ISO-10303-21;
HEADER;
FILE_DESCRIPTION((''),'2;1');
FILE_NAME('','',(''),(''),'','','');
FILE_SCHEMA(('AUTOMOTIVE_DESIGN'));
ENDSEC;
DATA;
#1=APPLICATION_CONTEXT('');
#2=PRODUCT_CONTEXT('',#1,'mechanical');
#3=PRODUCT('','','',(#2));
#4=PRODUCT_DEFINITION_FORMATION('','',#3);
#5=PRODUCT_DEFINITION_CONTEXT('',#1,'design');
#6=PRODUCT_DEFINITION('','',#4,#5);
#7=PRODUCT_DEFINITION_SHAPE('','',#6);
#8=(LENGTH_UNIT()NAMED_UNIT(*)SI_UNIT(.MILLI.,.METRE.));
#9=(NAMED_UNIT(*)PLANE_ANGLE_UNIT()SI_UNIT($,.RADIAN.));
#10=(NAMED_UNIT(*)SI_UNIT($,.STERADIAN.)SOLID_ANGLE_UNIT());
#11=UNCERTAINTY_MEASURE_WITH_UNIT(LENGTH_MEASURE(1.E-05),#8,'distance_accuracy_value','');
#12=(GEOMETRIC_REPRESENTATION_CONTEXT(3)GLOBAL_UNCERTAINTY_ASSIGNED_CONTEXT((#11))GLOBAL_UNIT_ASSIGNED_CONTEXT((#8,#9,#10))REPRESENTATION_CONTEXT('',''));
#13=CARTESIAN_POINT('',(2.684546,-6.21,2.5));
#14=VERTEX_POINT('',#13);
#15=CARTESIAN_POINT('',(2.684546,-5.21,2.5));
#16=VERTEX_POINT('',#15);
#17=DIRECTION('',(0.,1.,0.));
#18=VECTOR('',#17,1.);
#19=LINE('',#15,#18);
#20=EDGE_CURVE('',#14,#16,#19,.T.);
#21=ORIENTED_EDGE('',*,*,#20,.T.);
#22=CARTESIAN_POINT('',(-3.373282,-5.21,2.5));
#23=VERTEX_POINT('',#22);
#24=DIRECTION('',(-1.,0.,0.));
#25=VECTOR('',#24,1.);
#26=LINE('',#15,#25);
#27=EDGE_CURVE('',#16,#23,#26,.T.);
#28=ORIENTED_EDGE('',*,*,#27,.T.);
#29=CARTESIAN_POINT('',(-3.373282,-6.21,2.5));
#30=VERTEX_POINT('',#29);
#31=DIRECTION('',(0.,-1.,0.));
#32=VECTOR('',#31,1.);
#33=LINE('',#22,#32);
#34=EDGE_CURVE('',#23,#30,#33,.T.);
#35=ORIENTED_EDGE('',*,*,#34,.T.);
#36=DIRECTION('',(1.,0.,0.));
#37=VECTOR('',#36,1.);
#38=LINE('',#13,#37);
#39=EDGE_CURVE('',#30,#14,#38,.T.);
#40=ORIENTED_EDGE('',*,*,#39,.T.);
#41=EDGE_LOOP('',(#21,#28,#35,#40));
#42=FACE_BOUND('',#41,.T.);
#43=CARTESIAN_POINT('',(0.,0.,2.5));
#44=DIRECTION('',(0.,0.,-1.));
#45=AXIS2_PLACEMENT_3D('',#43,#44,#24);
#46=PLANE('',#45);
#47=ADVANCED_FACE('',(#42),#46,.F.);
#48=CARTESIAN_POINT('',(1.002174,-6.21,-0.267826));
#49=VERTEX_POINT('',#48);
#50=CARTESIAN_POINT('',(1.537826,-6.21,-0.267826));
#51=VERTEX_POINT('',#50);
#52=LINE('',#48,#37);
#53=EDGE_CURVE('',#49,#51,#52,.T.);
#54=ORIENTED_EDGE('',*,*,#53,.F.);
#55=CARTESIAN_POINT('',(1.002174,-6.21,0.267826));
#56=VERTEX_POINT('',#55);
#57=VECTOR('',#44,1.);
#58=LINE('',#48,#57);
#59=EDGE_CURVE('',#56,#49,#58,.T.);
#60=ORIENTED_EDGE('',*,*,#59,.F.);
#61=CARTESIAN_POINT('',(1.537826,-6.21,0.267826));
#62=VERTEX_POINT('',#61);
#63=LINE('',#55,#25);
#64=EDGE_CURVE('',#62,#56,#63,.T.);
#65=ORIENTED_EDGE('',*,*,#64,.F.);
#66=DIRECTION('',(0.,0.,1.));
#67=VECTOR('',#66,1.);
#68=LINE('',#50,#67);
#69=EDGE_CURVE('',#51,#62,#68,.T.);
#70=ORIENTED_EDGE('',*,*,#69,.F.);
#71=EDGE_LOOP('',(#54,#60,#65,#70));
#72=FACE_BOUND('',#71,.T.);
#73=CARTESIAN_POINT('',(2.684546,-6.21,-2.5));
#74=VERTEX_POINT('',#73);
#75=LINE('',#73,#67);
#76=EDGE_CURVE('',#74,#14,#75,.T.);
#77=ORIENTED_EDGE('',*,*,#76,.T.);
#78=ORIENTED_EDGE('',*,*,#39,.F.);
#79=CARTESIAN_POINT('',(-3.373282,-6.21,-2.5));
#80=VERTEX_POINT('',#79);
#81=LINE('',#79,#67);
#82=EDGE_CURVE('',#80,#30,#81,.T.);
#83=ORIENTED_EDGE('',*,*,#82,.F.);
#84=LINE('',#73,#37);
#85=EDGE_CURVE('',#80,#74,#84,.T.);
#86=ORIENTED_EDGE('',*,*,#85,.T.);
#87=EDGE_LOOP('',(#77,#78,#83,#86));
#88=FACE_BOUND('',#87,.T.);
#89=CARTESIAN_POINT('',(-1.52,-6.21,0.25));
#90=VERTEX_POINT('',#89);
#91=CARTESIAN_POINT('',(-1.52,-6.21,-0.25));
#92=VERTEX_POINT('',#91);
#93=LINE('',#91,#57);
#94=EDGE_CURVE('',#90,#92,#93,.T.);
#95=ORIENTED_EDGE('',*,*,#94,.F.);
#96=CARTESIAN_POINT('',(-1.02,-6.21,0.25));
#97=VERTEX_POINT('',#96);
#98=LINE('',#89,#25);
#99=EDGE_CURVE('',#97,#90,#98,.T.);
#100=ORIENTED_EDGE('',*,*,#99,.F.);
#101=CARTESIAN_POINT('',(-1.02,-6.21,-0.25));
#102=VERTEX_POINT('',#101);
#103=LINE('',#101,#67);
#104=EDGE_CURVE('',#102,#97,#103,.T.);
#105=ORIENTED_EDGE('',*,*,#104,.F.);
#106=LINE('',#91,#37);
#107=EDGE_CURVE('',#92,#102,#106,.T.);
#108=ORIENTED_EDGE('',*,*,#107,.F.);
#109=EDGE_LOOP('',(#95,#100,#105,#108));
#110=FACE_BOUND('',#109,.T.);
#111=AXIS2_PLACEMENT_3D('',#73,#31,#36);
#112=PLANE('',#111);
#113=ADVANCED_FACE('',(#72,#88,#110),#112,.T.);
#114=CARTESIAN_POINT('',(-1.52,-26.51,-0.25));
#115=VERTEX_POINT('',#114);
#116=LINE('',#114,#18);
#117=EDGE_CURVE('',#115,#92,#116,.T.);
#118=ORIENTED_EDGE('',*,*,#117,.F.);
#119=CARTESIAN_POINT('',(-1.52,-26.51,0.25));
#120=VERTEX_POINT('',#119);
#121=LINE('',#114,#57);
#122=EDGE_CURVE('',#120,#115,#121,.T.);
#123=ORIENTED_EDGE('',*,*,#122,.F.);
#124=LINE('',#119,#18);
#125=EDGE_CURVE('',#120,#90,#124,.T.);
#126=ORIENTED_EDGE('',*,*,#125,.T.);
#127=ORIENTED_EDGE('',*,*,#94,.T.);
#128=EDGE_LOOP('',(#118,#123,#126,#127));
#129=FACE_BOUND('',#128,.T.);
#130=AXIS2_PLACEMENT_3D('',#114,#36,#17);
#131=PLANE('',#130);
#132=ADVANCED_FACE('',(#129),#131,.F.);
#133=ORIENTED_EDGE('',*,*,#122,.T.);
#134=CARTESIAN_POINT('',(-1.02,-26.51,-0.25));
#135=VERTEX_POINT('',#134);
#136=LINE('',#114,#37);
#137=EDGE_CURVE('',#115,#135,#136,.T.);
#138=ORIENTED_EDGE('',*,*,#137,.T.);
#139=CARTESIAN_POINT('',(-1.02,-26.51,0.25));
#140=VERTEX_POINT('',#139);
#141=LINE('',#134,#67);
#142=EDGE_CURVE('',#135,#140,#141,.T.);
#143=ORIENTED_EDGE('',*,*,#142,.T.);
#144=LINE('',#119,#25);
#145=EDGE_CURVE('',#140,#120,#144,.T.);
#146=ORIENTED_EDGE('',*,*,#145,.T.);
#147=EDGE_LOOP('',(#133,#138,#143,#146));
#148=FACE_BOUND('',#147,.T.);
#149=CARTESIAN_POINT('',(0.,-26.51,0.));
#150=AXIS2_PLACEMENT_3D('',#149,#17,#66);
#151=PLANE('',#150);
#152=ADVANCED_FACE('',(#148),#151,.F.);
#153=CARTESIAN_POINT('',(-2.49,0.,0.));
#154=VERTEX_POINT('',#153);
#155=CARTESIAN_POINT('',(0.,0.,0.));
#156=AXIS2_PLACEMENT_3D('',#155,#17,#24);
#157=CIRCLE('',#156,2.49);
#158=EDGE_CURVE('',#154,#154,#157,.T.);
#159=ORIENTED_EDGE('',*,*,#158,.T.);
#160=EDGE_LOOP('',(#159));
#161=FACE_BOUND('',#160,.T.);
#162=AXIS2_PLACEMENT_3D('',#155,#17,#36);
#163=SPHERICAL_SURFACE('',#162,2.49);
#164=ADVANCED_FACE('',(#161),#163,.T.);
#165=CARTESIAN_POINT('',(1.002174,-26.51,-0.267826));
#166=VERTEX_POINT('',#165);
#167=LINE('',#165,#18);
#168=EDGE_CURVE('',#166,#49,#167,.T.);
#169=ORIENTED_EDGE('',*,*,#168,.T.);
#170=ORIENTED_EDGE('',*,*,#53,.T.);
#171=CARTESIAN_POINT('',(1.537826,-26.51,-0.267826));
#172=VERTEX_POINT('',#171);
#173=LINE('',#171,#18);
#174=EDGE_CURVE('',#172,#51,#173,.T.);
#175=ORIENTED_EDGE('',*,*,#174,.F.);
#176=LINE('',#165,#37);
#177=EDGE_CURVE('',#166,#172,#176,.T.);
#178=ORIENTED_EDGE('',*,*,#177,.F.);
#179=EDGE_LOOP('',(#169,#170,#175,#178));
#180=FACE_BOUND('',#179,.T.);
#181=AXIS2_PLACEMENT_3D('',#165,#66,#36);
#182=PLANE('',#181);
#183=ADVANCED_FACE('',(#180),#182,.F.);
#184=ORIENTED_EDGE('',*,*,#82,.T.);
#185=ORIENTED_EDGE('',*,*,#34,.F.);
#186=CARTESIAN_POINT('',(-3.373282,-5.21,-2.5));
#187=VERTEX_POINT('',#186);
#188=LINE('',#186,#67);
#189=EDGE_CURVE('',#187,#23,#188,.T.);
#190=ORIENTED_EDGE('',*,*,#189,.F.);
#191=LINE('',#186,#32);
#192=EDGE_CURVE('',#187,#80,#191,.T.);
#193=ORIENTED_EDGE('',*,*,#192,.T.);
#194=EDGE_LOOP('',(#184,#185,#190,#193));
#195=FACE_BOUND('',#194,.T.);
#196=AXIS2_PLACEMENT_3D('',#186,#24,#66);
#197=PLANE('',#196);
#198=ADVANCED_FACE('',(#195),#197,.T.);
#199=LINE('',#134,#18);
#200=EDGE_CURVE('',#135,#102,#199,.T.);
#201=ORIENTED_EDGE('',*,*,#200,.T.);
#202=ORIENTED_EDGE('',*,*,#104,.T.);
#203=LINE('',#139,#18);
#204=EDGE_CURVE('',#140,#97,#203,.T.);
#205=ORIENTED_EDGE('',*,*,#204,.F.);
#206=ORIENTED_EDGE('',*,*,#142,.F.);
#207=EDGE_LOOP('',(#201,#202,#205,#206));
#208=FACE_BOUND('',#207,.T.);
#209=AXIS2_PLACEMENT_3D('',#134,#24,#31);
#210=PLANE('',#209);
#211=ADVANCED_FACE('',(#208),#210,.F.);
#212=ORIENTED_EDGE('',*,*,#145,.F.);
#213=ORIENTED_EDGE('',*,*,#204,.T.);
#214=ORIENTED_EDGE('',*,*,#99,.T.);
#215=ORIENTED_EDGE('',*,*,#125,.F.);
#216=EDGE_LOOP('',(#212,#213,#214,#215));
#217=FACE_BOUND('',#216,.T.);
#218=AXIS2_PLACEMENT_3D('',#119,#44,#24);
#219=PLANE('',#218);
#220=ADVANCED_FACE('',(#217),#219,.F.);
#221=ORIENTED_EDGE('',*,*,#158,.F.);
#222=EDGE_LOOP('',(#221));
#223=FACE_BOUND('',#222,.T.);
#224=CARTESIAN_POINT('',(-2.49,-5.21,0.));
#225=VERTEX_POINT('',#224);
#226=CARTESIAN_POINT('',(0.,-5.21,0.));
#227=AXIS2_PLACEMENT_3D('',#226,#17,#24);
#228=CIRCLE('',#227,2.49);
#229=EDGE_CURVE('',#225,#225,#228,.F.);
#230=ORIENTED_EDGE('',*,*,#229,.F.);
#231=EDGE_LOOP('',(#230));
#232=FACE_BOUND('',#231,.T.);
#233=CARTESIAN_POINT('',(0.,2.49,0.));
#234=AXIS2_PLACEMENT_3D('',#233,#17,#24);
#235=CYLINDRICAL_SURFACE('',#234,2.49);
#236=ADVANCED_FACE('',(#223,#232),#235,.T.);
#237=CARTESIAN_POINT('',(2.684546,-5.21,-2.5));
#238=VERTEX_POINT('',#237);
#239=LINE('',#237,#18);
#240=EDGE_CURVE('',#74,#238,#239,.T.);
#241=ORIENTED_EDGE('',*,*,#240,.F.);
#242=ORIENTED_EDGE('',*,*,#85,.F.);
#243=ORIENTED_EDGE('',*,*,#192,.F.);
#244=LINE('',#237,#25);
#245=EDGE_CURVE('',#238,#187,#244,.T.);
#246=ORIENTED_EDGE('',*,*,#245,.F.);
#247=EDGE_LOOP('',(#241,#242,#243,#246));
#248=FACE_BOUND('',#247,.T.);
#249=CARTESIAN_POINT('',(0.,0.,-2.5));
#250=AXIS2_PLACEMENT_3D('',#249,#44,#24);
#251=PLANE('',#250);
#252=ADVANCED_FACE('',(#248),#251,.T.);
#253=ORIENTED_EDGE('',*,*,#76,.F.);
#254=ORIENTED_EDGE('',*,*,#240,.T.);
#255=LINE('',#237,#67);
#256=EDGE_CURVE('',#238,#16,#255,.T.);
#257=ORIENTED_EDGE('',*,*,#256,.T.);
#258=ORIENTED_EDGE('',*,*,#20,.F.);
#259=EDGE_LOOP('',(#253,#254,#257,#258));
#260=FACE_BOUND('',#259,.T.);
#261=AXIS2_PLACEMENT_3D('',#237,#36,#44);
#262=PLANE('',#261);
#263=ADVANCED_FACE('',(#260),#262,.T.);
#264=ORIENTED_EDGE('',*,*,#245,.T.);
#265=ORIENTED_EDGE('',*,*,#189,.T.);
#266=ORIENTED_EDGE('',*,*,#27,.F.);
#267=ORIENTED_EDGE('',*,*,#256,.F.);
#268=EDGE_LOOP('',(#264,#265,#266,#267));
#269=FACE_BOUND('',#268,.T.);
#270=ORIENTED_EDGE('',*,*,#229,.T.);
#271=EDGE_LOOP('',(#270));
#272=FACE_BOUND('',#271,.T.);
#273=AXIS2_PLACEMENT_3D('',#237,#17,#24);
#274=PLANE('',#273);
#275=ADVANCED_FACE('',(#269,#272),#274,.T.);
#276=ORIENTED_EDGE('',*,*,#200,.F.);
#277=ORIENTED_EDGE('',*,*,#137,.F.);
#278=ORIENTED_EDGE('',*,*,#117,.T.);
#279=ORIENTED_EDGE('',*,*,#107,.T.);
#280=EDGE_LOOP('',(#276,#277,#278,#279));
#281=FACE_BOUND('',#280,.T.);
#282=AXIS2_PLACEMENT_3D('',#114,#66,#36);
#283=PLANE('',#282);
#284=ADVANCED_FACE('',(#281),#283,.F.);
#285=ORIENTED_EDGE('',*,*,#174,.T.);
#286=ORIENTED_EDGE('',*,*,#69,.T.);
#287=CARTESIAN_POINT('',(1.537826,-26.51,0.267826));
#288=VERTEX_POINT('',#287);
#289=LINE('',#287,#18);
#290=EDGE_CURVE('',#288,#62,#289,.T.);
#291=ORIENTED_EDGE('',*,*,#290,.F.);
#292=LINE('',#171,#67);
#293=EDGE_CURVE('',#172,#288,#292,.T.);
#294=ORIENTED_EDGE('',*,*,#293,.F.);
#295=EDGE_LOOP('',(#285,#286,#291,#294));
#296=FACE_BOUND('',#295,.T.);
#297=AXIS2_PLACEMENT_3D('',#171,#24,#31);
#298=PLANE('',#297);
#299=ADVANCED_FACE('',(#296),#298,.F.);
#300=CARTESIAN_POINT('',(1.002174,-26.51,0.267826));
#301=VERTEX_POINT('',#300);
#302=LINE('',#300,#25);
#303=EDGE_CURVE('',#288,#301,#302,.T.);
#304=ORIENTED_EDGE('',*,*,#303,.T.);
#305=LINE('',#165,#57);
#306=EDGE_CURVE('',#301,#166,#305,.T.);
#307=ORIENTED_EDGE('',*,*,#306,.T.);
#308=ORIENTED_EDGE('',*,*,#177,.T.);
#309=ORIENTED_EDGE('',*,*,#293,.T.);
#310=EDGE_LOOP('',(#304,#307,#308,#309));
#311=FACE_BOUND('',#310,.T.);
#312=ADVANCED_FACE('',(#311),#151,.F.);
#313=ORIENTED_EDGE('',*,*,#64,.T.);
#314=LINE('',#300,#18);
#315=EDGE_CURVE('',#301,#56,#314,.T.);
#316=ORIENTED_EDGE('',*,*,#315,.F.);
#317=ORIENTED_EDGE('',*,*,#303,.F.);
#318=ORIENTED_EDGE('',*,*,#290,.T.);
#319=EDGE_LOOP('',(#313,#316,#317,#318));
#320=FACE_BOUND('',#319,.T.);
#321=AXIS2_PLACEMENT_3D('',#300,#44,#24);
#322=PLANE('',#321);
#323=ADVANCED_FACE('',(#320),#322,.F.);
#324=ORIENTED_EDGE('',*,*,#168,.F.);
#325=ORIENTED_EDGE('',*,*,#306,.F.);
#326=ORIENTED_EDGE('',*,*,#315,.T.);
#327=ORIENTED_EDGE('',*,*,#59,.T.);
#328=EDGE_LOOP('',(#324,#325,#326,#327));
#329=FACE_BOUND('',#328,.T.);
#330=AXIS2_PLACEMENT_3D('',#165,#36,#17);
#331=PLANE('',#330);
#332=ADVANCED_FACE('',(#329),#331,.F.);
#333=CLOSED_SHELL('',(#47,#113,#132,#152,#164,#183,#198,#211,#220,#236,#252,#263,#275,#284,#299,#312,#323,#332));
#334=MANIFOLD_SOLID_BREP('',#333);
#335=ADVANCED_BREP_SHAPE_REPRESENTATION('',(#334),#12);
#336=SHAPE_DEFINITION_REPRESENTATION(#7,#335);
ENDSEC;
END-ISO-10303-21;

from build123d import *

# Parameters (mm, degrees)
SKETCH1_W           = 2.49
SKETCH1_H           = 5.21
SKETCH2_W           = 6.057828243
SKETCH2_H           = 1
BOSS_EXTRUDE2_DEPTH = 2.5
SKETCH4_W           = 0.5
SKETCH4_H           = 0.5
SKETCH4_W_2         = 0.535652732
SKETCH4_H_2         = 0.535652732
BOSS_EXTRUDE3_DEPTH = 20.3


with BuildPart() as part:
    # Sketch1 → Revolve3 (revolve)
    with BuildSketch(Plane.XY, mode=Mode.PRIVATE) as revolve3_sk:
        with Locations((1.245, -2.605)):
            Rectangle(SKETCH1_W, SKETCH1_H)
        with BuildLine():
            Line((0, 0), (2.49, 0))
            ThreePointArc((2.49, 0), (1.760695885, 1.760695885), (0, 2.49))
            Line((0, 2.49), (0, 0))
        make_face()
    revolve(revolve3_sk.sketch.rotate(Axis((0, 2.49, 0), (0, -1, 0)), 180), axis=Axis((0, 2.49, 0), (0, -1, 0)))

    # Sketch2 → Boss-Extrude2 (add, symmetric)
    with BuildSketch(Plane.XY):
        with Locations((-0.344367629, -5.71)):
            Rectangle(SKETCH2_W, SKETCH2_H)
    extrude(amount=BOSS_EXTRUDE2_DEPTH, both=True)

    # Sketch4 → Boss-Extrude3 (add)
    with BuildSketch(Plane.XZ.offset(6.21)):
        with Locations((-1.27, 0)):
            Rectangle(SKETCH4_W, SKETCH4_H)
        with Locations((1.27, 0)):
            Rectangle(SKETCH4_W_2, SKETCH4_H_2)
    extrude(amount=BOSS_EXTRUDE3_DEPTH)


solid = part.part
